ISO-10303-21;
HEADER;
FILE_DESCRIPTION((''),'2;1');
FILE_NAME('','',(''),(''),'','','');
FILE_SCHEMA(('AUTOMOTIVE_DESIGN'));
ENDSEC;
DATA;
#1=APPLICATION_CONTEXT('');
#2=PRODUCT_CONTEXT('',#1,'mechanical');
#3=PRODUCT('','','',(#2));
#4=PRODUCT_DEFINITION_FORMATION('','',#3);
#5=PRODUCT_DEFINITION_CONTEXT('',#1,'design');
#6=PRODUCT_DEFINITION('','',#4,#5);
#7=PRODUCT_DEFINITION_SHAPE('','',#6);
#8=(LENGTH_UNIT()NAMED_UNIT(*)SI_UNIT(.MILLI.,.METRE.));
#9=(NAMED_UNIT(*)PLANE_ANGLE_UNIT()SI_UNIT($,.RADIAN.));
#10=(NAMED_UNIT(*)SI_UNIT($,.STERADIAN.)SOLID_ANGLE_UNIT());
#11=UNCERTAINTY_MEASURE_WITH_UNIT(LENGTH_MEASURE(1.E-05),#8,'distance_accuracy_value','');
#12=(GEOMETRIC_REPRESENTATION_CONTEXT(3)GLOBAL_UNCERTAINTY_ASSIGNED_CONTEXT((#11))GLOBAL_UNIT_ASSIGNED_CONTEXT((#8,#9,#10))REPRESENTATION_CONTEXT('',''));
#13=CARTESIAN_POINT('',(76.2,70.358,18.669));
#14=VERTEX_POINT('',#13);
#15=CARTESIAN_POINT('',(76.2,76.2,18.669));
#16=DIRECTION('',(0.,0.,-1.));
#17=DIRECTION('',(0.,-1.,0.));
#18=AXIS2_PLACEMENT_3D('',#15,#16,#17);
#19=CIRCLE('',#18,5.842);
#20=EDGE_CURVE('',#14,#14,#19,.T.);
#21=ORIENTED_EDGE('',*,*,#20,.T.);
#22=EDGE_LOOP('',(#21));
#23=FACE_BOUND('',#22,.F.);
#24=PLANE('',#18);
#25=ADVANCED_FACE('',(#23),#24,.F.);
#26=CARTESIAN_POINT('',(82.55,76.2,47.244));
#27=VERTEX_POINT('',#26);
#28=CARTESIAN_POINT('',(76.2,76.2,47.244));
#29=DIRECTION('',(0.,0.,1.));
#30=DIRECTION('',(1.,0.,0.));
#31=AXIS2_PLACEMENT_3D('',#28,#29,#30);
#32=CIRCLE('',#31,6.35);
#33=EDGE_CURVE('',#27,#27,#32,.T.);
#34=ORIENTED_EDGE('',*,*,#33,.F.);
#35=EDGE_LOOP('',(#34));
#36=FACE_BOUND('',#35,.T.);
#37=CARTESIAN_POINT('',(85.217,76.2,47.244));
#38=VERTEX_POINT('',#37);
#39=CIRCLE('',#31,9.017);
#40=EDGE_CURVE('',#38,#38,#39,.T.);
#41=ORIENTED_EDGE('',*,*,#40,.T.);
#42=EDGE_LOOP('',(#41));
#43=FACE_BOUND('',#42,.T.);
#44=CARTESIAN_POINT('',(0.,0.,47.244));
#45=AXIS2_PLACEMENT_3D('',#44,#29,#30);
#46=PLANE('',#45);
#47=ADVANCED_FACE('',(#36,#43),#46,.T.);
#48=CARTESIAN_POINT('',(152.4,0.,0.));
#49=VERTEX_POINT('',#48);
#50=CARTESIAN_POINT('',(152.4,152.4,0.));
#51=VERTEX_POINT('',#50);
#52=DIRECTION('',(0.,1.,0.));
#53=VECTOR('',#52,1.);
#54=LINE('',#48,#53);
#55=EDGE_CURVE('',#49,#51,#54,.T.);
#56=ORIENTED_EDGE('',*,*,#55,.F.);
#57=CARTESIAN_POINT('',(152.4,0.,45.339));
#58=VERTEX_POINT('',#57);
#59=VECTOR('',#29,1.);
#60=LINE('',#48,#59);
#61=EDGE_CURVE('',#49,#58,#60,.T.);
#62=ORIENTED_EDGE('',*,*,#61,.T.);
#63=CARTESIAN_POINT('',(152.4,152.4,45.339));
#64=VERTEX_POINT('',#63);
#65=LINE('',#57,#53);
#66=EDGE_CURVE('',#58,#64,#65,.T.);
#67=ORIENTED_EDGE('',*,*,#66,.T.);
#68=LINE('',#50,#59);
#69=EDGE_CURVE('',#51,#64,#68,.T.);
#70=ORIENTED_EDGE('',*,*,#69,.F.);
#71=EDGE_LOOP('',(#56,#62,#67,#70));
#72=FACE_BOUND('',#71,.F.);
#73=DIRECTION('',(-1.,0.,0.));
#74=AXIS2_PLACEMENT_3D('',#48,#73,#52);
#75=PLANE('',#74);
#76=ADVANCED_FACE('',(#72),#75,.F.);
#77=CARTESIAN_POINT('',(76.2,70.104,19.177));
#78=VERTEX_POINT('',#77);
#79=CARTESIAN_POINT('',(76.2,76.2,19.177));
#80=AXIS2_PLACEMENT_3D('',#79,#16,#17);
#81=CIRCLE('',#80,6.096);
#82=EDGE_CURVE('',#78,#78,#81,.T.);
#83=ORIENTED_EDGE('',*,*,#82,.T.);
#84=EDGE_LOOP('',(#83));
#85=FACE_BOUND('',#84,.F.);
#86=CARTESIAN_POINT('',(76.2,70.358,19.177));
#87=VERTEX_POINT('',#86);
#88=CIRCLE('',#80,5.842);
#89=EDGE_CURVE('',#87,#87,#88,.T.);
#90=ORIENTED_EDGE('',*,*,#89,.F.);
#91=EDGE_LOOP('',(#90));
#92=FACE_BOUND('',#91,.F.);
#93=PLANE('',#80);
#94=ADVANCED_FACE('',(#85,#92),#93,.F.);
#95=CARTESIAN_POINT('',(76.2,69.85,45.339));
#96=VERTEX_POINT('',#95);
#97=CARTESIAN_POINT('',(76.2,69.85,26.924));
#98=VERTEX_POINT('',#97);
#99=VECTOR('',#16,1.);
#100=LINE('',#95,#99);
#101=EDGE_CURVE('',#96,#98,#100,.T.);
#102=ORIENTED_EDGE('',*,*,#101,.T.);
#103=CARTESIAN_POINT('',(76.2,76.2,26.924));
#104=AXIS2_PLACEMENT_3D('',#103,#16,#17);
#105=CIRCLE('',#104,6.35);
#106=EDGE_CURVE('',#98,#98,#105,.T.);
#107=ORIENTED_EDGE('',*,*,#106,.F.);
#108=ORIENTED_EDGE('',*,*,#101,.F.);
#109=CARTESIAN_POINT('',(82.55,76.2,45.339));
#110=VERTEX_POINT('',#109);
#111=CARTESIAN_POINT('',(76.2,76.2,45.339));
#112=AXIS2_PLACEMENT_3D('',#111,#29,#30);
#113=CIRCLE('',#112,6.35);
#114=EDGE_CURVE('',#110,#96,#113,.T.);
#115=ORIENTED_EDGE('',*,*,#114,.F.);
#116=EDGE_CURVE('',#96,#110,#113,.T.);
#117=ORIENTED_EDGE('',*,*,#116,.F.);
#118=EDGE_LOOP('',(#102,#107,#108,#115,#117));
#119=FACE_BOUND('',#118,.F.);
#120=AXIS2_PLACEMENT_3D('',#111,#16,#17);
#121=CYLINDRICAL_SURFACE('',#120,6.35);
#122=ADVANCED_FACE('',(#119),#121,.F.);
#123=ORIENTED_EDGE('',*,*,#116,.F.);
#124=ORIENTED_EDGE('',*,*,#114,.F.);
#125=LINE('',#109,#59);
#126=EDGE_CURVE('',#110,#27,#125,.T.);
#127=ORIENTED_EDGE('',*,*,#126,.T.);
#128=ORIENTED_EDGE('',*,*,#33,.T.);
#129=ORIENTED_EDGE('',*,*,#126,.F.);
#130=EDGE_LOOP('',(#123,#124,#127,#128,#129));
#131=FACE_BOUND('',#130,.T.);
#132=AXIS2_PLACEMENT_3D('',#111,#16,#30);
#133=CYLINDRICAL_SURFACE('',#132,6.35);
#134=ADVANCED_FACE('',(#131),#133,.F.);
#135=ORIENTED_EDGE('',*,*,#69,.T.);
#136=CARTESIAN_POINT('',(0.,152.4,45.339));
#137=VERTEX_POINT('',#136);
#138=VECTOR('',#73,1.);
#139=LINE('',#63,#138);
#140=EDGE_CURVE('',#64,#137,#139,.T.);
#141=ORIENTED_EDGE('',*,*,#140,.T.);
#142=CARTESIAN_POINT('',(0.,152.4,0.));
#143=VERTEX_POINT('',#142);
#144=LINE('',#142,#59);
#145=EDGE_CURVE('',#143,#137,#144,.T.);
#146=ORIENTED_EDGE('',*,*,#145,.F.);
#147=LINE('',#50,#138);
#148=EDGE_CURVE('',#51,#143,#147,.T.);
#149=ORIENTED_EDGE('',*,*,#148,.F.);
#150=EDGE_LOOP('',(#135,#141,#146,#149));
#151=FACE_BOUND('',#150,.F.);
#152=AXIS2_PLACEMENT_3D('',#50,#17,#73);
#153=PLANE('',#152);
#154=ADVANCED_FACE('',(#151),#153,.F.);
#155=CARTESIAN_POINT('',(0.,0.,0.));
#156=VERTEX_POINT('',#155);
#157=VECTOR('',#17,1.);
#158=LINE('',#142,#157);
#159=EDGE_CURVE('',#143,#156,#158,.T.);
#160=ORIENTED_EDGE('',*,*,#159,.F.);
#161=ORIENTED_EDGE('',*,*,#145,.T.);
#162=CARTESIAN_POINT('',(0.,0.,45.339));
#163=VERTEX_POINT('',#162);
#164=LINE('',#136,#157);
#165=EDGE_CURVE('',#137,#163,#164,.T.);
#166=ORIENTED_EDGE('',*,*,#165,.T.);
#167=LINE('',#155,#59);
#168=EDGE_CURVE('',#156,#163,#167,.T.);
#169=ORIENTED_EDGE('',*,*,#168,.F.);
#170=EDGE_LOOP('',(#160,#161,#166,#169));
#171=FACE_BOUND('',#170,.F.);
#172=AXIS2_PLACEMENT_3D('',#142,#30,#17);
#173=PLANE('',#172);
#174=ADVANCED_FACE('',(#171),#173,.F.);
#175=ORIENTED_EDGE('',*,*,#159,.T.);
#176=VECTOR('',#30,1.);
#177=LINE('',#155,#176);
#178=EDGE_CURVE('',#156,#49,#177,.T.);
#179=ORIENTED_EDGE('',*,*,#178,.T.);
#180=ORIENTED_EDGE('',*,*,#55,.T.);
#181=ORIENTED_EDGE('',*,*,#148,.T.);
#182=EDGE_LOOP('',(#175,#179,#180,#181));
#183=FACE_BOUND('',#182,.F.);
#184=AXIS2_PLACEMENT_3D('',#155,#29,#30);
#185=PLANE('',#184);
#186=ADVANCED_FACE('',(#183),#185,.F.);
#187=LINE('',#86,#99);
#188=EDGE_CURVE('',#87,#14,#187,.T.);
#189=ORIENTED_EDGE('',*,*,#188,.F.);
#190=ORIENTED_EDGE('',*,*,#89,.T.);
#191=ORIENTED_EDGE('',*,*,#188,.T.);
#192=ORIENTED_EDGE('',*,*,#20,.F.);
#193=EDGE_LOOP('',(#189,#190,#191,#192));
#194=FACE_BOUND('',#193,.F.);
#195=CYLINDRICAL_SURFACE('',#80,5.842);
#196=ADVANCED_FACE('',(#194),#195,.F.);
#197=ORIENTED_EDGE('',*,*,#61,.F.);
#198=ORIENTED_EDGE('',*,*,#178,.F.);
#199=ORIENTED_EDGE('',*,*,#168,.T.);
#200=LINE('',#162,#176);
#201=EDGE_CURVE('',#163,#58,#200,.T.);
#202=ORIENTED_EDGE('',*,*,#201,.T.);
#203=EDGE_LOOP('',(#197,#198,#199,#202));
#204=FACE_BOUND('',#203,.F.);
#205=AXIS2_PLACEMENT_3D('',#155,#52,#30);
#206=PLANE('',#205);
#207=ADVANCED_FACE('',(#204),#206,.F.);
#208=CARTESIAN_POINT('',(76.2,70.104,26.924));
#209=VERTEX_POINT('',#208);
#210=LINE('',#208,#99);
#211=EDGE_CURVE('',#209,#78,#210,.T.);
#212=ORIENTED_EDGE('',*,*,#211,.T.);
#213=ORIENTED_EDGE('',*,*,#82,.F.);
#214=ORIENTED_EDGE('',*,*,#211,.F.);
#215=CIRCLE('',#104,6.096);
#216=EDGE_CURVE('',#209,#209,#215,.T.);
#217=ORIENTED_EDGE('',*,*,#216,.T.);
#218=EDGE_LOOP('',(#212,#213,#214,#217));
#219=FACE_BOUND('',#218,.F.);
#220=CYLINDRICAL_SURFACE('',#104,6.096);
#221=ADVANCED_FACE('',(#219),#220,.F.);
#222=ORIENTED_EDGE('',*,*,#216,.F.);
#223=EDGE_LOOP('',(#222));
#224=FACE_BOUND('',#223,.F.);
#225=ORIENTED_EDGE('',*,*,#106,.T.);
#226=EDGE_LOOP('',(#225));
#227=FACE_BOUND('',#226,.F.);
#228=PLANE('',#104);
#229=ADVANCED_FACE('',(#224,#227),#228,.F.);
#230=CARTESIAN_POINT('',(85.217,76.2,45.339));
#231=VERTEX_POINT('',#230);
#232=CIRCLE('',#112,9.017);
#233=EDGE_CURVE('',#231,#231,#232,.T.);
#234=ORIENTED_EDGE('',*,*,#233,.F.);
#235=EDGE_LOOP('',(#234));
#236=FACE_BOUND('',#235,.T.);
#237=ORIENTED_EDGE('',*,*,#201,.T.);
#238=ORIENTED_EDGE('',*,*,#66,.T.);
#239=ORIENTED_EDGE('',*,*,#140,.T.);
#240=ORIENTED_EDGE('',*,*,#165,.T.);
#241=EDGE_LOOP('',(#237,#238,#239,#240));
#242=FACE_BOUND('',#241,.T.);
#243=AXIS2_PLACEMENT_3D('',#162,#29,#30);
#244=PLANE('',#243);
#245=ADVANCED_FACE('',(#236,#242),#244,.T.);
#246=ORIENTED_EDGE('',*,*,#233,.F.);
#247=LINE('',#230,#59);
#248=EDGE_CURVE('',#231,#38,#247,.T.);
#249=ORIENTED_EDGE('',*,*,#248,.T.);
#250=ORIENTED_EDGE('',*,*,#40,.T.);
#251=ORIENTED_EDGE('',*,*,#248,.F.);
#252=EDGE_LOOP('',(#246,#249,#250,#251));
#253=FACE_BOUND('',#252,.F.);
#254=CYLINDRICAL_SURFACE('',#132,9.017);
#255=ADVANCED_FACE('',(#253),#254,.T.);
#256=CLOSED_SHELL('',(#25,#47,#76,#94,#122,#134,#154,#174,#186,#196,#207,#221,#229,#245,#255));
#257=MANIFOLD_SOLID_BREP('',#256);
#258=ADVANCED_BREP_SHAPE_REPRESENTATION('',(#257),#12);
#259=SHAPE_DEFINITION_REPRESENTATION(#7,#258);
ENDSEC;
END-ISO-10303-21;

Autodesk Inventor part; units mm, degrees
ref_plane "YZ Plane" through (0, 0, 0) normal (1, 0, 0) x (0, 1, 0)
ref_plane "XZ Plane" through (0, 0, 0) normal (0, 1, 0) x (-1, 0, 0)
ref_plane "XY Plane" through (0, 0, 0) normal (0, 0, 1) x (1, 0, 0)
sketch "Sketch1" plane through (0, 0, 0) normal (0, 0, 1) x (1, 0, 0)
  line L0 (0, 0) -> (152.4, 0)
  line L1 (152.4, 0) -> (152.4, 152.4)
  line L2 (152.4, 152.4) -> (0, 152.4)
  line L3 (0, 152.4) -> (0, 0)
  dimension "d0" = 152.4
  dimension "d1" = 152.4
extrude "Extrusion1" add sketch "Sketch1" along normal blind 45.339
sketch "Sketch2" plane through (0, 0, 45.339) normal (0, 0, 1) x (1, 0, 0)
  line L0 (0, 0) -> (152.4, 0) projected
  line L1 (0, 152.4) -> (0, 0) projected
  circle A0 centre (76.2, 76.2) radius 6.35
  circle A1 centre (76.2, 76.2) radius 9.017
  dimension "d13" = 12.7
  dimension "d14" = 18.034
  dimension "d15" = 76.2
  dimension "d16" = 76.2
extrude "Extrusion2" add sketch "Sketch2" along normal blind 1.905
hole "Hole2" at (76.2, 76.2, 45.339) direction (0, 0, -1) diameter 12.7 depth 18.415
hole "Hole3" at (76.2, 76.2, 26.924) direction (0, 0, -1) diameter 12.192 depth 7.747
hole "Hole4" at (76.2, 76.2, 19.177) direction (0, 0, -1) diameter 11.684 depth 0.508
properties part number "Door"
